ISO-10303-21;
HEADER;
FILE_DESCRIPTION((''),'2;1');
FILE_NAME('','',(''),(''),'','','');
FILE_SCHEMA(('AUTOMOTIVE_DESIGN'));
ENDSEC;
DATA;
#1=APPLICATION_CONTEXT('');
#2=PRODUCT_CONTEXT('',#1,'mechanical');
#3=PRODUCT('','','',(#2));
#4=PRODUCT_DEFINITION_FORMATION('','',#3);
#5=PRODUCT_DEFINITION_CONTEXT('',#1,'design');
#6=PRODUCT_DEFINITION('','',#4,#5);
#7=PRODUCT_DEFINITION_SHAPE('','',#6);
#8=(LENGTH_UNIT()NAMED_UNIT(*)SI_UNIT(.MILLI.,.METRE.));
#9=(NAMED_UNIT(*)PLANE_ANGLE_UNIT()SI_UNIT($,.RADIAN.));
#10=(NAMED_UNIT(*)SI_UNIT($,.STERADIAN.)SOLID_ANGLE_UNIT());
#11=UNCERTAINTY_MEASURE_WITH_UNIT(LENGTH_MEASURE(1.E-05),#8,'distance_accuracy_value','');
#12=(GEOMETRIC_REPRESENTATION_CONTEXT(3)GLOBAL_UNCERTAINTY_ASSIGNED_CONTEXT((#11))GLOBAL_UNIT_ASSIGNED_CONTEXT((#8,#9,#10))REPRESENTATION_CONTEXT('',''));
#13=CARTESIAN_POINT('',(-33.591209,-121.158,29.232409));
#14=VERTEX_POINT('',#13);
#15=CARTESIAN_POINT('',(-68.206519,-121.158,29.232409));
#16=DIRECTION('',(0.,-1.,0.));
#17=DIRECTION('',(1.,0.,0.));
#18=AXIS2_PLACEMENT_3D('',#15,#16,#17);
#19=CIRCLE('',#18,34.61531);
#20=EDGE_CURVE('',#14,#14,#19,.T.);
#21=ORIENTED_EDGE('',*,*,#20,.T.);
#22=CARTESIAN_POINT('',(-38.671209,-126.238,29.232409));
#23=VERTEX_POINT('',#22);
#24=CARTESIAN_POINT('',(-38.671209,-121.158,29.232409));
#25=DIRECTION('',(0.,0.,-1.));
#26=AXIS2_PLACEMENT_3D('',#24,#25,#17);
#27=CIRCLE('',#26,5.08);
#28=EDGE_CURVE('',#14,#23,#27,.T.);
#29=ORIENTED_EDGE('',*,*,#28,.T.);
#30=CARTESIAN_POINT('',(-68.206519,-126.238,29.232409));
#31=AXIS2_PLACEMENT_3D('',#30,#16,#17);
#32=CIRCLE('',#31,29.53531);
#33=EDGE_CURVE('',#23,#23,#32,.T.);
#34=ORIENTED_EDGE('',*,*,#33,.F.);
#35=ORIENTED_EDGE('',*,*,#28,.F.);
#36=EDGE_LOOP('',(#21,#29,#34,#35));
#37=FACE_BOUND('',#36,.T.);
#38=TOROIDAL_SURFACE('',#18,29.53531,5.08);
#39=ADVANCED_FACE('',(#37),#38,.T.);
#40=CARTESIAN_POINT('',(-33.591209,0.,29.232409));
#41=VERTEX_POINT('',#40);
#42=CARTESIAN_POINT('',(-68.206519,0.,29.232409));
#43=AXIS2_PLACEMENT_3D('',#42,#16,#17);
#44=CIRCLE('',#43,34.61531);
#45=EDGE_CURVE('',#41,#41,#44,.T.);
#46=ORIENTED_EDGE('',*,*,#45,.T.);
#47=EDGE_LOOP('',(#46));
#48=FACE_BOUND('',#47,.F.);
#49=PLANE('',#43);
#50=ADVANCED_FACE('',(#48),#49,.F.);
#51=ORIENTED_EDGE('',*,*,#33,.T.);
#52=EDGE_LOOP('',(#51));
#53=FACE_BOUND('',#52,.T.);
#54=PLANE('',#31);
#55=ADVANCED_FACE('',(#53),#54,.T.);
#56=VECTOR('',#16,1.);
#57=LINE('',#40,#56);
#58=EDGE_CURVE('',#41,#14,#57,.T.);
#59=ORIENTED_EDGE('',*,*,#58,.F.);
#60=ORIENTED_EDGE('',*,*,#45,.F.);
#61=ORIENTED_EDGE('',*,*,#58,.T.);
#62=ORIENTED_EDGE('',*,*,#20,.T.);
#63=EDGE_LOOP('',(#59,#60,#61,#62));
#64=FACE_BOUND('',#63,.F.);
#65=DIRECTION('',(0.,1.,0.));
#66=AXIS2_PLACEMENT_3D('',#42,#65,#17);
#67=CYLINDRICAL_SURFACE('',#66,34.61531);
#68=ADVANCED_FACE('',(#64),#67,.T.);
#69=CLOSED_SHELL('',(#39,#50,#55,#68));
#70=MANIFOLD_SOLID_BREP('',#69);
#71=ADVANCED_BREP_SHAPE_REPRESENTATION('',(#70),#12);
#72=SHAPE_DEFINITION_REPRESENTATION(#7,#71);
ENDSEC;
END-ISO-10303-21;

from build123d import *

# Parameters (mm, degrees)
F0_R     = 34.61531
F1_DEPTH = 126.238
F2_R     = 5.08


with BuildPart() as f1:
    # F0 (on Front) → F1 (new body)
    with BuildSketch(Plane.XZ):
        with Locations((-68.206519, 29.232409)):
            Circle(F0_R)
    extrude(amount=F1_DEPTH)

    # F2
    f2_edges = [f1.edges().sort_by_distance(p)[0] for p in [
        (-102.821829, -126.238, 29.232409),
    ]]
    fillet(f2_edges, radius=F2_R)


solid = f1.part
